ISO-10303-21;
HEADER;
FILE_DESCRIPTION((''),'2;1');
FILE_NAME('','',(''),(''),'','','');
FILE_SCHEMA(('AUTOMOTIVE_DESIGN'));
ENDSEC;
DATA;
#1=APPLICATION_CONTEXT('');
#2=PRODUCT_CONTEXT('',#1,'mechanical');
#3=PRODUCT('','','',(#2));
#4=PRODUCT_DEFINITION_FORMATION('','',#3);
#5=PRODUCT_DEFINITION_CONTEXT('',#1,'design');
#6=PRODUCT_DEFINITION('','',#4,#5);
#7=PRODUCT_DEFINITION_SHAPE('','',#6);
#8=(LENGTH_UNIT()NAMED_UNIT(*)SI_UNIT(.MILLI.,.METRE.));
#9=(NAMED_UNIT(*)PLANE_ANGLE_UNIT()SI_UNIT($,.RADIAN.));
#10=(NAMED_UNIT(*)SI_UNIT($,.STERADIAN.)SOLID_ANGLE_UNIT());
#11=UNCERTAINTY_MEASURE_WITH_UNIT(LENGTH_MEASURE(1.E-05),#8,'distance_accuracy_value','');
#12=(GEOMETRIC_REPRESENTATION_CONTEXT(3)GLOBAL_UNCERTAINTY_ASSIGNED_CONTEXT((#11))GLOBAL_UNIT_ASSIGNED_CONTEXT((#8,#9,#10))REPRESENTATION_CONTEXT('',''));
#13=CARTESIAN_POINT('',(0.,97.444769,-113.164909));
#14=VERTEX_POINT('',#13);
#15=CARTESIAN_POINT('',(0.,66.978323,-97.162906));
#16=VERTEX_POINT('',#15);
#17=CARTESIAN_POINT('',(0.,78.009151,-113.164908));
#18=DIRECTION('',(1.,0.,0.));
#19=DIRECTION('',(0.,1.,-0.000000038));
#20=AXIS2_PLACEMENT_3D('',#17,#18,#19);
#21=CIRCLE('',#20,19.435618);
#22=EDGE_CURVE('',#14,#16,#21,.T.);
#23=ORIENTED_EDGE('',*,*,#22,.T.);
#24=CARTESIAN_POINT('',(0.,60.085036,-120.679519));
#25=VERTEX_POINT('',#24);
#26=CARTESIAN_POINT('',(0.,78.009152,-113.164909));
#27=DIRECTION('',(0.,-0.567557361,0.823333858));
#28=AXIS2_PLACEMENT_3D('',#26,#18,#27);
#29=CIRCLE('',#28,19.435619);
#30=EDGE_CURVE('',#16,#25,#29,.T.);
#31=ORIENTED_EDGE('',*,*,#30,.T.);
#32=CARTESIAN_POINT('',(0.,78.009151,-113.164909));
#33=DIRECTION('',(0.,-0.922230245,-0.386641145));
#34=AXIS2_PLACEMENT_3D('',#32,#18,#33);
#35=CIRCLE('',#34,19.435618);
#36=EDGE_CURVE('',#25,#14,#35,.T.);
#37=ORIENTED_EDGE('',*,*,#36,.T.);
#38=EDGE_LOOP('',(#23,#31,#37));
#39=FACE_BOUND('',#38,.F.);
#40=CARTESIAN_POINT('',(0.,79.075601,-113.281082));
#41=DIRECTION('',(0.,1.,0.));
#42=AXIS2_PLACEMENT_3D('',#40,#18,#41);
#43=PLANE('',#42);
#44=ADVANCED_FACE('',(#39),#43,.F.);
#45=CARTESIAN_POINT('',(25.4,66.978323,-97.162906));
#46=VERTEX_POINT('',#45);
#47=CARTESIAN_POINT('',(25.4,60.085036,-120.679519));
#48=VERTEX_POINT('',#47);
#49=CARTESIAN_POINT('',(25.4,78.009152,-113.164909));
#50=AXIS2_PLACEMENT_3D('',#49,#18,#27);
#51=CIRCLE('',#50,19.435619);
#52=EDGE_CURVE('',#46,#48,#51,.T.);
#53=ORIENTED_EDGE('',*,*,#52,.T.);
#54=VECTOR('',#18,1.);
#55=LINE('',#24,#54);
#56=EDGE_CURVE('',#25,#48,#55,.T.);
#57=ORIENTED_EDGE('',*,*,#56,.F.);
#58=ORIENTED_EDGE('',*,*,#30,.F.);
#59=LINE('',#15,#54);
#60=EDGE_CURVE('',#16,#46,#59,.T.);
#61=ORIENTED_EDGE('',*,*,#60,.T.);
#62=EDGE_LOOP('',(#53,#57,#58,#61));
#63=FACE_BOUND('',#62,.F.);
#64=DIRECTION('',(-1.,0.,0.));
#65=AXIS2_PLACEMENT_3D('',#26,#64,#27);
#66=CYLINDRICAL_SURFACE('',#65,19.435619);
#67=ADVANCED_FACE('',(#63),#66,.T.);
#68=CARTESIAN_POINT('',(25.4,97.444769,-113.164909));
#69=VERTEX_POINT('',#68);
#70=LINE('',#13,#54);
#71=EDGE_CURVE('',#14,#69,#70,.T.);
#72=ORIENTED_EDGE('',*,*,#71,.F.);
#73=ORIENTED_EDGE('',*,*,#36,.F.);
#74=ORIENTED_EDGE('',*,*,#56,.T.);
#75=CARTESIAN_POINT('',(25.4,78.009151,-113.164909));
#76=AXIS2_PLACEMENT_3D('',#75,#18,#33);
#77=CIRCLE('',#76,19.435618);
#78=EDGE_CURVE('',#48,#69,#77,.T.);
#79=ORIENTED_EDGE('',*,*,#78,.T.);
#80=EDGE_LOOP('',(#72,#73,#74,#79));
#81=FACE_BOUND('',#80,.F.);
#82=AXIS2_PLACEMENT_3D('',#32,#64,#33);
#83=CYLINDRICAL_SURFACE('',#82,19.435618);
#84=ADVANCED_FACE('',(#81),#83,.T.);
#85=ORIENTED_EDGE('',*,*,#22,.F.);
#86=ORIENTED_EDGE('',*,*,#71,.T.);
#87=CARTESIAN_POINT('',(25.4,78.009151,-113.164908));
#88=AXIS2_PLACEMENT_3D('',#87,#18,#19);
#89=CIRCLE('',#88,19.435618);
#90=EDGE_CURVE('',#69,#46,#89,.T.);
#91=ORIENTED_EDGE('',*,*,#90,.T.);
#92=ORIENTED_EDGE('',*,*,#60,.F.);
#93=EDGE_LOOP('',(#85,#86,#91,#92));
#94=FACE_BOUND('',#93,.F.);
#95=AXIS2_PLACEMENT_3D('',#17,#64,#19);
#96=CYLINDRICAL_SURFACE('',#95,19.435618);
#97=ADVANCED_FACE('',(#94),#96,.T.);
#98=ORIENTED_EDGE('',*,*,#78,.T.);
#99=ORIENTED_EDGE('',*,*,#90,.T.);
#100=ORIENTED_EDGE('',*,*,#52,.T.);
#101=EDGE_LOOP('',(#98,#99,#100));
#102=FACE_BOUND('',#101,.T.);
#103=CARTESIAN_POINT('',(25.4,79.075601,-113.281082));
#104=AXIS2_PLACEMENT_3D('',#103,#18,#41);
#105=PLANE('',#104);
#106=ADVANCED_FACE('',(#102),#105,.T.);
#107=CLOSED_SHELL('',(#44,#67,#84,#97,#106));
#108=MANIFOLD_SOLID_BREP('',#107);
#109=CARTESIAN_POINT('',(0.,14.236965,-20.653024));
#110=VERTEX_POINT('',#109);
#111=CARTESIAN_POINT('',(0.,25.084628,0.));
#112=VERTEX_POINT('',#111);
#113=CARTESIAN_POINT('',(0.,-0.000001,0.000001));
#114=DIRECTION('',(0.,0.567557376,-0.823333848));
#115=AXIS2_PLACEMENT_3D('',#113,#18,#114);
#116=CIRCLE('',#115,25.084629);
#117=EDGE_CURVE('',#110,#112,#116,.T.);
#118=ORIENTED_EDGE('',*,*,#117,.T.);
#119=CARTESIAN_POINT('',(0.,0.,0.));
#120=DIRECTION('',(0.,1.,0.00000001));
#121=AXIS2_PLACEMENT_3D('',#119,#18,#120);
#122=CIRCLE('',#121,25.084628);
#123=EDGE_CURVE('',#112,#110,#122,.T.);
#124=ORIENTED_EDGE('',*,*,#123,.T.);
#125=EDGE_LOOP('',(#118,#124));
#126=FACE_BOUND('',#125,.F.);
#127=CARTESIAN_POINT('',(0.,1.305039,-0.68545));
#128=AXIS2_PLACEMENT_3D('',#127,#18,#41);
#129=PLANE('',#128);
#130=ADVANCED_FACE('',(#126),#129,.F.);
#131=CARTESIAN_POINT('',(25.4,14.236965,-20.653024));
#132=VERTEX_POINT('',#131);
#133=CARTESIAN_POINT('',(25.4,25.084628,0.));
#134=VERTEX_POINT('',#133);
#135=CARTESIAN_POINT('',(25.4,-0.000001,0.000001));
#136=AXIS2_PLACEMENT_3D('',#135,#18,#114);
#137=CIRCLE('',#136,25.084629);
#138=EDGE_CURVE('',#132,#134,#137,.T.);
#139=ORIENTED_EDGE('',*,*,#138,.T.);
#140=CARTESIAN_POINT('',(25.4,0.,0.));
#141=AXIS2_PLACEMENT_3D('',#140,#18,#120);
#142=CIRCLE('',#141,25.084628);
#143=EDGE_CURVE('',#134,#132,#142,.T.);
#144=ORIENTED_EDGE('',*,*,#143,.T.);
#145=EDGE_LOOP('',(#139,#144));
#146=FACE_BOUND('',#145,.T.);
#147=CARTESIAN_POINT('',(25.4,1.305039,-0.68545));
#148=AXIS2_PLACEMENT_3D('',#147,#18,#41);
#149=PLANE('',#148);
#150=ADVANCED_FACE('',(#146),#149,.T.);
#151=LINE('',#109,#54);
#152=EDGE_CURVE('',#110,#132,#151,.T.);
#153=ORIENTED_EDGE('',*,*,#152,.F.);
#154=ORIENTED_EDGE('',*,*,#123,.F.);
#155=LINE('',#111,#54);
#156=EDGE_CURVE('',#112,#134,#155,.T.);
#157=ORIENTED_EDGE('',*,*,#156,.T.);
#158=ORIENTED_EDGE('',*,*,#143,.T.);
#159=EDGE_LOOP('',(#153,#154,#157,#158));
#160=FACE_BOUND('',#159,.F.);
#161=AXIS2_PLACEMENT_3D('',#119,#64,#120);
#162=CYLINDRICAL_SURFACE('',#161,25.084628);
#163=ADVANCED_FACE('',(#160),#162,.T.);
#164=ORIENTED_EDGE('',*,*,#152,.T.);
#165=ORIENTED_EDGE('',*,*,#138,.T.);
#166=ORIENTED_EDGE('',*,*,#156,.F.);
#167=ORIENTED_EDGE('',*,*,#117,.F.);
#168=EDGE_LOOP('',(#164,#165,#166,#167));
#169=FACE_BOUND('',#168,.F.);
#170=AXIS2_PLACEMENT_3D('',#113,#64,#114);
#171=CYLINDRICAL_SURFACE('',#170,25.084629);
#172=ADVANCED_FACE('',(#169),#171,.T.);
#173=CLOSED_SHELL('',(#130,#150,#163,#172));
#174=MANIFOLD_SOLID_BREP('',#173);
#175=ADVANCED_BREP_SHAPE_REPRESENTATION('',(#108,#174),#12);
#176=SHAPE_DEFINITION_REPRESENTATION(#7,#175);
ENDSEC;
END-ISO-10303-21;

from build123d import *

# Parameters (mm, degrees)
F1_DEPTH = 25.4


with BuildPart() as f1:
    # F0 (on Right) → F1 (new body)
    with BuildSketch(Plane.YZ):
        with BuildLine():
            ThreePointArc((97.444769, -113.164909), (87.046637, -95.958308), (66.978323, -97.162906))
            Line((66.978323, -97.162906), (78.009151, -113.164909))
            Line((78.009151, -113.164909), (60.085036, -120.679519))
            ThreePointArc((60.085036, -120.679519), (81.841709, -132.218905), (97.444769, -113.164909))
        make_face()
        with BuildLine():
            ThreePointArc((14.236965, -20.653024), (22.207741, -11.664253), (25.084628, 0))
            ThreePointArc((25.084628, 0), (-22.207741, 11.664253), (14.236965, -20.653024))
        make_face()
        with BuildLine():
            Line((78.009151, -113.164909), (66.978323, -97.162906))
            ThreePointArc((66.978323, -97.162906), (59.358281, -107.697889), (60.085036, -120.679519))
            Line((60.085036, -120.679519), (78.009151, -113.164909))
        make_face()
    extrude(amount=F1_DEPTH)


solid = f1.part
